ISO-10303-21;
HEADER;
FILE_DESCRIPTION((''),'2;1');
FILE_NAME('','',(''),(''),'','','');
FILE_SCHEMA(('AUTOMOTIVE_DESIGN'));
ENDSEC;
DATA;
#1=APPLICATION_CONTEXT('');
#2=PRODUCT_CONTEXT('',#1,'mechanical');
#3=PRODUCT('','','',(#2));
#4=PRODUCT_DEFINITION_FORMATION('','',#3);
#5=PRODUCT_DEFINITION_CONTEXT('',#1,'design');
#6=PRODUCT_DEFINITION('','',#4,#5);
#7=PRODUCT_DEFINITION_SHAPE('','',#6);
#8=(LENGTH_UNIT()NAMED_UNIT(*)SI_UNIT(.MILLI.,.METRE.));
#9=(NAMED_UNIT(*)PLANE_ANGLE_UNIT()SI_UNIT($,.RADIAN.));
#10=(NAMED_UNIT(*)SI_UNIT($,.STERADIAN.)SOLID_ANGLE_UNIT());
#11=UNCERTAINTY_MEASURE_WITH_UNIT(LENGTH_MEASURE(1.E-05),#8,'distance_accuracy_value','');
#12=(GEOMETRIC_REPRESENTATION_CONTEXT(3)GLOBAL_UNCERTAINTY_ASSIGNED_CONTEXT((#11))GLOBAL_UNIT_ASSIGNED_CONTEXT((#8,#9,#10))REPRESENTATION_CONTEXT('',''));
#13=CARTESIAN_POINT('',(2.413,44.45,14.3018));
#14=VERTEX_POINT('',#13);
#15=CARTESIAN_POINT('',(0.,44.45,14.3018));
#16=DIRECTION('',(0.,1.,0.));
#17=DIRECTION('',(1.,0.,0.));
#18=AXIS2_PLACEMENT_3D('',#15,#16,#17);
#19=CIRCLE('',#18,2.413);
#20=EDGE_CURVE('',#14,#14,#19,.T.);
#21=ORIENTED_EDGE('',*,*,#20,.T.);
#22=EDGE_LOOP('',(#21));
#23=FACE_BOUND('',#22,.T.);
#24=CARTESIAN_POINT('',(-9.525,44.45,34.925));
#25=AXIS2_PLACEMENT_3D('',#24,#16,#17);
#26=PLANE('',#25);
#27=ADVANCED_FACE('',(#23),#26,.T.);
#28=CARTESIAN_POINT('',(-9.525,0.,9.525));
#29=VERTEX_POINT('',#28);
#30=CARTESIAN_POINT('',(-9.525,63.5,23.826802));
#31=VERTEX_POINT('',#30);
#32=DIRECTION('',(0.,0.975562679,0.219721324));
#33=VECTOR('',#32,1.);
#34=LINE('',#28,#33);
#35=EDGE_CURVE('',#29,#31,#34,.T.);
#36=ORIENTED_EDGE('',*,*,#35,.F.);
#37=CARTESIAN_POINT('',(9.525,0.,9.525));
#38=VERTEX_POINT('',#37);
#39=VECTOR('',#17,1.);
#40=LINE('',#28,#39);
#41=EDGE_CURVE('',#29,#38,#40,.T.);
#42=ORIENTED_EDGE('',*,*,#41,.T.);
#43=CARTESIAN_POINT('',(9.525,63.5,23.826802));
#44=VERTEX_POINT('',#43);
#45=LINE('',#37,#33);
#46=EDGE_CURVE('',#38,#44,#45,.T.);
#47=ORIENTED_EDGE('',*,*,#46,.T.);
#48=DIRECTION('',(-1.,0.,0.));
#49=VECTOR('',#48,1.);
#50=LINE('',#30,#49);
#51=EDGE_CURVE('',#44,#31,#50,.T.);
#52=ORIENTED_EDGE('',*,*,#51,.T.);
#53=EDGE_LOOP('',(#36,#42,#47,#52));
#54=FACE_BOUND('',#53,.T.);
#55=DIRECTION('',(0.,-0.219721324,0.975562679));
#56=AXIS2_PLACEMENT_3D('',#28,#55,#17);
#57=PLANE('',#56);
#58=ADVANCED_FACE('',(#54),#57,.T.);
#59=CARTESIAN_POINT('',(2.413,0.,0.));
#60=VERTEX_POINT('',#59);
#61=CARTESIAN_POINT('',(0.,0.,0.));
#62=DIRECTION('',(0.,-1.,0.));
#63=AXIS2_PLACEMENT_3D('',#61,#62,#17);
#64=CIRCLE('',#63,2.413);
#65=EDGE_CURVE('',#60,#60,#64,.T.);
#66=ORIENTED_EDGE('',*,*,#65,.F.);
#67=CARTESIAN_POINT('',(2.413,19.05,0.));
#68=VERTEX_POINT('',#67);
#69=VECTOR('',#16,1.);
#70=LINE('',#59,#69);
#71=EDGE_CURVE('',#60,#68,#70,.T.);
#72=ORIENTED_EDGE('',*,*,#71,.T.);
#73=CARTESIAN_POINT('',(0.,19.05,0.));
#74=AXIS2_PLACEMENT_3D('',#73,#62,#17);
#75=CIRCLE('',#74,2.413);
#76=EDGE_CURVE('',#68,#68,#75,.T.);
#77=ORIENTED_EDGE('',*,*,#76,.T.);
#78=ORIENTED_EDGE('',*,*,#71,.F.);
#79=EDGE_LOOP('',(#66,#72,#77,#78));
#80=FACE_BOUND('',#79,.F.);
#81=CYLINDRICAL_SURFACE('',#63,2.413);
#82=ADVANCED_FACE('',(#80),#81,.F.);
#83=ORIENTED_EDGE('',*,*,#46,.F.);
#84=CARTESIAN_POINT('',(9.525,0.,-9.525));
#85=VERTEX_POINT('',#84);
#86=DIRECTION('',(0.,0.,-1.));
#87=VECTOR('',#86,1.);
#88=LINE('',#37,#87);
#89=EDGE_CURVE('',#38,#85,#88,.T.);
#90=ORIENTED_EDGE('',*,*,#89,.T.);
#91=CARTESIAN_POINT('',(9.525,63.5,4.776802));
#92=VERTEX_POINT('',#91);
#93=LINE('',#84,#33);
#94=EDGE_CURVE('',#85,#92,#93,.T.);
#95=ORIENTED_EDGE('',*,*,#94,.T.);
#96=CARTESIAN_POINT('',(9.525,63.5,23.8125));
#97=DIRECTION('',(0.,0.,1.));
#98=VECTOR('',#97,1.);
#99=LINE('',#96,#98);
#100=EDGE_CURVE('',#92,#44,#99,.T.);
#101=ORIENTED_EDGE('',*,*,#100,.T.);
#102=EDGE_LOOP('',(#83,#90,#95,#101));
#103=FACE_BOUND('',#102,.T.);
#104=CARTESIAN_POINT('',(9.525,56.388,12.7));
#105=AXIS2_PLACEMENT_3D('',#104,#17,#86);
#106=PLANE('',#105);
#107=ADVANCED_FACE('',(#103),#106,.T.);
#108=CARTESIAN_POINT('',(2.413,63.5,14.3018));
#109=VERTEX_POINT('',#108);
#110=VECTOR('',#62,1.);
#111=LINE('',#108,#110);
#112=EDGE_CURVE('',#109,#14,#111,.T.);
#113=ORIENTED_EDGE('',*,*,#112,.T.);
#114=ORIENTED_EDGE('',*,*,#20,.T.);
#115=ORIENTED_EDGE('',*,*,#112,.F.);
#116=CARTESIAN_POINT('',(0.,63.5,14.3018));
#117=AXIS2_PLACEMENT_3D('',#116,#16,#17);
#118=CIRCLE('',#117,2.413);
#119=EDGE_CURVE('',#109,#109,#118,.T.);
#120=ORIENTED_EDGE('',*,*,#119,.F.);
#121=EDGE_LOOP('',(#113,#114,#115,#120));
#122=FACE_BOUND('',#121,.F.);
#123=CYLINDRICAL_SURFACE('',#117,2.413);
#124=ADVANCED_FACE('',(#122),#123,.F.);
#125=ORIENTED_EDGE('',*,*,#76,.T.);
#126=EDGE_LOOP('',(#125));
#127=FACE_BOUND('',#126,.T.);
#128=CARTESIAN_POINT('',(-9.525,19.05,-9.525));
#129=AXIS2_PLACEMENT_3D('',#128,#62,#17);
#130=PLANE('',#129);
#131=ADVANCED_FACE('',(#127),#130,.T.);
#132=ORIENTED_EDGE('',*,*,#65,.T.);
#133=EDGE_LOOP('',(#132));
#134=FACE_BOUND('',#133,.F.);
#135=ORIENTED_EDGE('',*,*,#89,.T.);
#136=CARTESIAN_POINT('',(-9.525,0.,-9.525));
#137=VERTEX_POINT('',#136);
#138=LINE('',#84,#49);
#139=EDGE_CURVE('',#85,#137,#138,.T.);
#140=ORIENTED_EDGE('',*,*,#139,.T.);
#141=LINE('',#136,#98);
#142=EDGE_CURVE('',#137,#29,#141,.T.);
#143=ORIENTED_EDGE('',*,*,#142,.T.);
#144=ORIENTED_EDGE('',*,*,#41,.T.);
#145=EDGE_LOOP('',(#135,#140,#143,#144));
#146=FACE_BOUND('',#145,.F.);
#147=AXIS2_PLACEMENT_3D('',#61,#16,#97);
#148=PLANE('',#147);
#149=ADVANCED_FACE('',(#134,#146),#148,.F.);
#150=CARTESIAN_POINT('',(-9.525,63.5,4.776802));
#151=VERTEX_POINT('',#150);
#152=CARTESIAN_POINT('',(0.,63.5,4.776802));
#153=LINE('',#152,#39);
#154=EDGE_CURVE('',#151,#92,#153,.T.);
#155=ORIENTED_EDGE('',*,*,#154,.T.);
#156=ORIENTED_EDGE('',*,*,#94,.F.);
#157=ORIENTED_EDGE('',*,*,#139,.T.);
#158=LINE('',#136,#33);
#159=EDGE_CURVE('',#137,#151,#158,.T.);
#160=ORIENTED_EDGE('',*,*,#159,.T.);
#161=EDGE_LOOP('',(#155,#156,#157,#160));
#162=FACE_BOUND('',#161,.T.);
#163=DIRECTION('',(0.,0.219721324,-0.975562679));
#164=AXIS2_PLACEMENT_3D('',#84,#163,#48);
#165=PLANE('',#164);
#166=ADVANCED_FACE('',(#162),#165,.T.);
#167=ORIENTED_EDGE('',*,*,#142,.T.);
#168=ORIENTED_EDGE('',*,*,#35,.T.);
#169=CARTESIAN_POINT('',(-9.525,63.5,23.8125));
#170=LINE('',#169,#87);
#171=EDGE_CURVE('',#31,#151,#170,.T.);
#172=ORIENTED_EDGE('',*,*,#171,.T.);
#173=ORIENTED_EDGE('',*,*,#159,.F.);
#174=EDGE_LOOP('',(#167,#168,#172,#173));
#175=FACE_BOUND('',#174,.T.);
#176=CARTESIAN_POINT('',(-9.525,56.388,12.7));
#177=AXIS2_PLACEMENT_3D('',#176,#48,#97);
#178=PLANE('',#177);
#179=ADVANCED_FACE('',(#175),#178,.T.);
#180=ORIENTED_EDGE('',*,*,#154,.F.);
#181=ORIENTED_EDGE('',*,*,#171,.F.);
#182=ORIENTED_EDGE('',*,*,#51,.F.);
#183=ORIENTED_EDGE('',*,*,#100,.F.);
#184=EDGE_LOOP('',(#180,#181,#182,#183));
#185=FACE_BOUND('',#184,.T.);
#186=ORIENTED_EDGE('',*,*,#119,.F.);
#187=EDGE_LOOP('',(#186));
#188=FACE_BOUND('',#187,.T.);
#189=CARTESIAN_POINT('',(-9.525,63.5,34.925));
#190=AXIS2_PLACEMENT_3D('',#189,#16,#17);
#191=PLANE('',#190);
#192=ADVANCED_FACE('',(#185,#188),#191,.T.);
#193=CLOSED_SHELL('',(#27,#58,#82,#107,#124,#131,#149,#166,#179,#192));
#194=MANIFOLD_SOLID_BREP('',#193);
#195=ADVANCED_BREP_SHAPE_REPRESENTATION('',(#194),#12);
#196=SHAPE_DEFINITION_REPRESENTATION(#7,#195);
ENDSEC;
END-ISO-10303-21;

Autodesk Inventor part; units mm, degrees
ref_plane "YZ Plane" through (0, 0, 0) normal (1, 0, 0) x (0, 1, 0)
ref_plane "XZ Plane" through (0, 0, 0) normal (0, 1, 0) x (-1, 0, 0)
ref_plane "XY Plane" through (0, 0, 0) normal (0, 0, 1) x (1, 0, 0)
sketch "Sketch1" plane through (0, 0, 0) normal (0, 1, 0) x (-1, 0, 0)
  line L0 (-9.525, -9.525) -> (9.525, -9.525)
  line L1 (9.525, -9.525) -> (9.525, 9.525)
  line L2 (9.525, 9.525) -> (-9.525, 9.525)
  line L3 (-9.525, 9.525) -> (-9.525, -9.525)
  line L4 (-9.525, -9.525) -> (9.525, 9.525) construction
  line L5 (9.525, -9.525) -> (-9.525, 9.525) construction
  point P0 (0, 0)
  dimension "d0" = 19.05
  dimension "d1" = 19.05
sketch "Sketch2" plane through (0, 0, 0) normal (1, 0, 0) x (0, 1, 0)
  line L0 (0, 0) -> (112.776, 25.4)
  dimension "d2" = 112.776
  dimension "d3" = 25.4
sweep "Sweep1" add profiles "Sketch1" path "Sketch2"
sketch "Sketch3" plane through (-9.525, 112.776, 34.925) normal (0, 1, 0) x (1, 0, 0)
  line L0 (34.925, 76.2) -> (-15.875, 76.2)
  line L1 (-15.875, 76.2) -> (-15.875, -25.4)
  line L2 (-15.875, -25.4) -> (34.925, -25.4)
  line L3 (34.925, -25.4) -> (34.925, 76.2)
  line L4 (0, 25.4) -> (19.05, 25.4) projected
  line L5 (34.925, 76.2) -> (-15.875, -25.4) construction
  line L6 (-15.875, 76.2) -> (34.925, -25.4) construction
  point P0 (9.525, 34.925)
  point P1 (9.525, 25.4)
  dimension "d6" = 50.8
  dimension "d7" = 101.6
extrude "Extrusion1" cut sketch "Sketch3" against normal blind 49.276
sketch "Sketch4" plane through (-9.525, 0, -9.525) normal (0, -1, 0) x (1, 0, 0)
  circle A0 centre (9.525, 9.525) radius 2.413
  dimension "d10" = 4.826
extrude "Extrusion2" cut sketch "Sketch4" against normal blind 19.05
thread "Thread1"
sketch "Sketch5" plane through (-9.525, 63.5, 34.925) normal (0, 1, 0) x (1, 0, 0)
  circle A0 centre (9.525, 20.6232) radius 2.413
  line L0 (0, 11.0982) -> (0, 30.1482) projected
  line L1 (19.05, 11.0982) -> (0, 11.0982) projected
  point P0 (9.525, 34.925)
  point P1 (0, 20.6232)
  point P2 (9.525, 11.0982)
  dimension "d15" = 4.826
extrude "Extrusion3" cut sketch "Sketch5" against normal blind 19.05
properties part number "STRU_008_BilletBlock_Slanted"
